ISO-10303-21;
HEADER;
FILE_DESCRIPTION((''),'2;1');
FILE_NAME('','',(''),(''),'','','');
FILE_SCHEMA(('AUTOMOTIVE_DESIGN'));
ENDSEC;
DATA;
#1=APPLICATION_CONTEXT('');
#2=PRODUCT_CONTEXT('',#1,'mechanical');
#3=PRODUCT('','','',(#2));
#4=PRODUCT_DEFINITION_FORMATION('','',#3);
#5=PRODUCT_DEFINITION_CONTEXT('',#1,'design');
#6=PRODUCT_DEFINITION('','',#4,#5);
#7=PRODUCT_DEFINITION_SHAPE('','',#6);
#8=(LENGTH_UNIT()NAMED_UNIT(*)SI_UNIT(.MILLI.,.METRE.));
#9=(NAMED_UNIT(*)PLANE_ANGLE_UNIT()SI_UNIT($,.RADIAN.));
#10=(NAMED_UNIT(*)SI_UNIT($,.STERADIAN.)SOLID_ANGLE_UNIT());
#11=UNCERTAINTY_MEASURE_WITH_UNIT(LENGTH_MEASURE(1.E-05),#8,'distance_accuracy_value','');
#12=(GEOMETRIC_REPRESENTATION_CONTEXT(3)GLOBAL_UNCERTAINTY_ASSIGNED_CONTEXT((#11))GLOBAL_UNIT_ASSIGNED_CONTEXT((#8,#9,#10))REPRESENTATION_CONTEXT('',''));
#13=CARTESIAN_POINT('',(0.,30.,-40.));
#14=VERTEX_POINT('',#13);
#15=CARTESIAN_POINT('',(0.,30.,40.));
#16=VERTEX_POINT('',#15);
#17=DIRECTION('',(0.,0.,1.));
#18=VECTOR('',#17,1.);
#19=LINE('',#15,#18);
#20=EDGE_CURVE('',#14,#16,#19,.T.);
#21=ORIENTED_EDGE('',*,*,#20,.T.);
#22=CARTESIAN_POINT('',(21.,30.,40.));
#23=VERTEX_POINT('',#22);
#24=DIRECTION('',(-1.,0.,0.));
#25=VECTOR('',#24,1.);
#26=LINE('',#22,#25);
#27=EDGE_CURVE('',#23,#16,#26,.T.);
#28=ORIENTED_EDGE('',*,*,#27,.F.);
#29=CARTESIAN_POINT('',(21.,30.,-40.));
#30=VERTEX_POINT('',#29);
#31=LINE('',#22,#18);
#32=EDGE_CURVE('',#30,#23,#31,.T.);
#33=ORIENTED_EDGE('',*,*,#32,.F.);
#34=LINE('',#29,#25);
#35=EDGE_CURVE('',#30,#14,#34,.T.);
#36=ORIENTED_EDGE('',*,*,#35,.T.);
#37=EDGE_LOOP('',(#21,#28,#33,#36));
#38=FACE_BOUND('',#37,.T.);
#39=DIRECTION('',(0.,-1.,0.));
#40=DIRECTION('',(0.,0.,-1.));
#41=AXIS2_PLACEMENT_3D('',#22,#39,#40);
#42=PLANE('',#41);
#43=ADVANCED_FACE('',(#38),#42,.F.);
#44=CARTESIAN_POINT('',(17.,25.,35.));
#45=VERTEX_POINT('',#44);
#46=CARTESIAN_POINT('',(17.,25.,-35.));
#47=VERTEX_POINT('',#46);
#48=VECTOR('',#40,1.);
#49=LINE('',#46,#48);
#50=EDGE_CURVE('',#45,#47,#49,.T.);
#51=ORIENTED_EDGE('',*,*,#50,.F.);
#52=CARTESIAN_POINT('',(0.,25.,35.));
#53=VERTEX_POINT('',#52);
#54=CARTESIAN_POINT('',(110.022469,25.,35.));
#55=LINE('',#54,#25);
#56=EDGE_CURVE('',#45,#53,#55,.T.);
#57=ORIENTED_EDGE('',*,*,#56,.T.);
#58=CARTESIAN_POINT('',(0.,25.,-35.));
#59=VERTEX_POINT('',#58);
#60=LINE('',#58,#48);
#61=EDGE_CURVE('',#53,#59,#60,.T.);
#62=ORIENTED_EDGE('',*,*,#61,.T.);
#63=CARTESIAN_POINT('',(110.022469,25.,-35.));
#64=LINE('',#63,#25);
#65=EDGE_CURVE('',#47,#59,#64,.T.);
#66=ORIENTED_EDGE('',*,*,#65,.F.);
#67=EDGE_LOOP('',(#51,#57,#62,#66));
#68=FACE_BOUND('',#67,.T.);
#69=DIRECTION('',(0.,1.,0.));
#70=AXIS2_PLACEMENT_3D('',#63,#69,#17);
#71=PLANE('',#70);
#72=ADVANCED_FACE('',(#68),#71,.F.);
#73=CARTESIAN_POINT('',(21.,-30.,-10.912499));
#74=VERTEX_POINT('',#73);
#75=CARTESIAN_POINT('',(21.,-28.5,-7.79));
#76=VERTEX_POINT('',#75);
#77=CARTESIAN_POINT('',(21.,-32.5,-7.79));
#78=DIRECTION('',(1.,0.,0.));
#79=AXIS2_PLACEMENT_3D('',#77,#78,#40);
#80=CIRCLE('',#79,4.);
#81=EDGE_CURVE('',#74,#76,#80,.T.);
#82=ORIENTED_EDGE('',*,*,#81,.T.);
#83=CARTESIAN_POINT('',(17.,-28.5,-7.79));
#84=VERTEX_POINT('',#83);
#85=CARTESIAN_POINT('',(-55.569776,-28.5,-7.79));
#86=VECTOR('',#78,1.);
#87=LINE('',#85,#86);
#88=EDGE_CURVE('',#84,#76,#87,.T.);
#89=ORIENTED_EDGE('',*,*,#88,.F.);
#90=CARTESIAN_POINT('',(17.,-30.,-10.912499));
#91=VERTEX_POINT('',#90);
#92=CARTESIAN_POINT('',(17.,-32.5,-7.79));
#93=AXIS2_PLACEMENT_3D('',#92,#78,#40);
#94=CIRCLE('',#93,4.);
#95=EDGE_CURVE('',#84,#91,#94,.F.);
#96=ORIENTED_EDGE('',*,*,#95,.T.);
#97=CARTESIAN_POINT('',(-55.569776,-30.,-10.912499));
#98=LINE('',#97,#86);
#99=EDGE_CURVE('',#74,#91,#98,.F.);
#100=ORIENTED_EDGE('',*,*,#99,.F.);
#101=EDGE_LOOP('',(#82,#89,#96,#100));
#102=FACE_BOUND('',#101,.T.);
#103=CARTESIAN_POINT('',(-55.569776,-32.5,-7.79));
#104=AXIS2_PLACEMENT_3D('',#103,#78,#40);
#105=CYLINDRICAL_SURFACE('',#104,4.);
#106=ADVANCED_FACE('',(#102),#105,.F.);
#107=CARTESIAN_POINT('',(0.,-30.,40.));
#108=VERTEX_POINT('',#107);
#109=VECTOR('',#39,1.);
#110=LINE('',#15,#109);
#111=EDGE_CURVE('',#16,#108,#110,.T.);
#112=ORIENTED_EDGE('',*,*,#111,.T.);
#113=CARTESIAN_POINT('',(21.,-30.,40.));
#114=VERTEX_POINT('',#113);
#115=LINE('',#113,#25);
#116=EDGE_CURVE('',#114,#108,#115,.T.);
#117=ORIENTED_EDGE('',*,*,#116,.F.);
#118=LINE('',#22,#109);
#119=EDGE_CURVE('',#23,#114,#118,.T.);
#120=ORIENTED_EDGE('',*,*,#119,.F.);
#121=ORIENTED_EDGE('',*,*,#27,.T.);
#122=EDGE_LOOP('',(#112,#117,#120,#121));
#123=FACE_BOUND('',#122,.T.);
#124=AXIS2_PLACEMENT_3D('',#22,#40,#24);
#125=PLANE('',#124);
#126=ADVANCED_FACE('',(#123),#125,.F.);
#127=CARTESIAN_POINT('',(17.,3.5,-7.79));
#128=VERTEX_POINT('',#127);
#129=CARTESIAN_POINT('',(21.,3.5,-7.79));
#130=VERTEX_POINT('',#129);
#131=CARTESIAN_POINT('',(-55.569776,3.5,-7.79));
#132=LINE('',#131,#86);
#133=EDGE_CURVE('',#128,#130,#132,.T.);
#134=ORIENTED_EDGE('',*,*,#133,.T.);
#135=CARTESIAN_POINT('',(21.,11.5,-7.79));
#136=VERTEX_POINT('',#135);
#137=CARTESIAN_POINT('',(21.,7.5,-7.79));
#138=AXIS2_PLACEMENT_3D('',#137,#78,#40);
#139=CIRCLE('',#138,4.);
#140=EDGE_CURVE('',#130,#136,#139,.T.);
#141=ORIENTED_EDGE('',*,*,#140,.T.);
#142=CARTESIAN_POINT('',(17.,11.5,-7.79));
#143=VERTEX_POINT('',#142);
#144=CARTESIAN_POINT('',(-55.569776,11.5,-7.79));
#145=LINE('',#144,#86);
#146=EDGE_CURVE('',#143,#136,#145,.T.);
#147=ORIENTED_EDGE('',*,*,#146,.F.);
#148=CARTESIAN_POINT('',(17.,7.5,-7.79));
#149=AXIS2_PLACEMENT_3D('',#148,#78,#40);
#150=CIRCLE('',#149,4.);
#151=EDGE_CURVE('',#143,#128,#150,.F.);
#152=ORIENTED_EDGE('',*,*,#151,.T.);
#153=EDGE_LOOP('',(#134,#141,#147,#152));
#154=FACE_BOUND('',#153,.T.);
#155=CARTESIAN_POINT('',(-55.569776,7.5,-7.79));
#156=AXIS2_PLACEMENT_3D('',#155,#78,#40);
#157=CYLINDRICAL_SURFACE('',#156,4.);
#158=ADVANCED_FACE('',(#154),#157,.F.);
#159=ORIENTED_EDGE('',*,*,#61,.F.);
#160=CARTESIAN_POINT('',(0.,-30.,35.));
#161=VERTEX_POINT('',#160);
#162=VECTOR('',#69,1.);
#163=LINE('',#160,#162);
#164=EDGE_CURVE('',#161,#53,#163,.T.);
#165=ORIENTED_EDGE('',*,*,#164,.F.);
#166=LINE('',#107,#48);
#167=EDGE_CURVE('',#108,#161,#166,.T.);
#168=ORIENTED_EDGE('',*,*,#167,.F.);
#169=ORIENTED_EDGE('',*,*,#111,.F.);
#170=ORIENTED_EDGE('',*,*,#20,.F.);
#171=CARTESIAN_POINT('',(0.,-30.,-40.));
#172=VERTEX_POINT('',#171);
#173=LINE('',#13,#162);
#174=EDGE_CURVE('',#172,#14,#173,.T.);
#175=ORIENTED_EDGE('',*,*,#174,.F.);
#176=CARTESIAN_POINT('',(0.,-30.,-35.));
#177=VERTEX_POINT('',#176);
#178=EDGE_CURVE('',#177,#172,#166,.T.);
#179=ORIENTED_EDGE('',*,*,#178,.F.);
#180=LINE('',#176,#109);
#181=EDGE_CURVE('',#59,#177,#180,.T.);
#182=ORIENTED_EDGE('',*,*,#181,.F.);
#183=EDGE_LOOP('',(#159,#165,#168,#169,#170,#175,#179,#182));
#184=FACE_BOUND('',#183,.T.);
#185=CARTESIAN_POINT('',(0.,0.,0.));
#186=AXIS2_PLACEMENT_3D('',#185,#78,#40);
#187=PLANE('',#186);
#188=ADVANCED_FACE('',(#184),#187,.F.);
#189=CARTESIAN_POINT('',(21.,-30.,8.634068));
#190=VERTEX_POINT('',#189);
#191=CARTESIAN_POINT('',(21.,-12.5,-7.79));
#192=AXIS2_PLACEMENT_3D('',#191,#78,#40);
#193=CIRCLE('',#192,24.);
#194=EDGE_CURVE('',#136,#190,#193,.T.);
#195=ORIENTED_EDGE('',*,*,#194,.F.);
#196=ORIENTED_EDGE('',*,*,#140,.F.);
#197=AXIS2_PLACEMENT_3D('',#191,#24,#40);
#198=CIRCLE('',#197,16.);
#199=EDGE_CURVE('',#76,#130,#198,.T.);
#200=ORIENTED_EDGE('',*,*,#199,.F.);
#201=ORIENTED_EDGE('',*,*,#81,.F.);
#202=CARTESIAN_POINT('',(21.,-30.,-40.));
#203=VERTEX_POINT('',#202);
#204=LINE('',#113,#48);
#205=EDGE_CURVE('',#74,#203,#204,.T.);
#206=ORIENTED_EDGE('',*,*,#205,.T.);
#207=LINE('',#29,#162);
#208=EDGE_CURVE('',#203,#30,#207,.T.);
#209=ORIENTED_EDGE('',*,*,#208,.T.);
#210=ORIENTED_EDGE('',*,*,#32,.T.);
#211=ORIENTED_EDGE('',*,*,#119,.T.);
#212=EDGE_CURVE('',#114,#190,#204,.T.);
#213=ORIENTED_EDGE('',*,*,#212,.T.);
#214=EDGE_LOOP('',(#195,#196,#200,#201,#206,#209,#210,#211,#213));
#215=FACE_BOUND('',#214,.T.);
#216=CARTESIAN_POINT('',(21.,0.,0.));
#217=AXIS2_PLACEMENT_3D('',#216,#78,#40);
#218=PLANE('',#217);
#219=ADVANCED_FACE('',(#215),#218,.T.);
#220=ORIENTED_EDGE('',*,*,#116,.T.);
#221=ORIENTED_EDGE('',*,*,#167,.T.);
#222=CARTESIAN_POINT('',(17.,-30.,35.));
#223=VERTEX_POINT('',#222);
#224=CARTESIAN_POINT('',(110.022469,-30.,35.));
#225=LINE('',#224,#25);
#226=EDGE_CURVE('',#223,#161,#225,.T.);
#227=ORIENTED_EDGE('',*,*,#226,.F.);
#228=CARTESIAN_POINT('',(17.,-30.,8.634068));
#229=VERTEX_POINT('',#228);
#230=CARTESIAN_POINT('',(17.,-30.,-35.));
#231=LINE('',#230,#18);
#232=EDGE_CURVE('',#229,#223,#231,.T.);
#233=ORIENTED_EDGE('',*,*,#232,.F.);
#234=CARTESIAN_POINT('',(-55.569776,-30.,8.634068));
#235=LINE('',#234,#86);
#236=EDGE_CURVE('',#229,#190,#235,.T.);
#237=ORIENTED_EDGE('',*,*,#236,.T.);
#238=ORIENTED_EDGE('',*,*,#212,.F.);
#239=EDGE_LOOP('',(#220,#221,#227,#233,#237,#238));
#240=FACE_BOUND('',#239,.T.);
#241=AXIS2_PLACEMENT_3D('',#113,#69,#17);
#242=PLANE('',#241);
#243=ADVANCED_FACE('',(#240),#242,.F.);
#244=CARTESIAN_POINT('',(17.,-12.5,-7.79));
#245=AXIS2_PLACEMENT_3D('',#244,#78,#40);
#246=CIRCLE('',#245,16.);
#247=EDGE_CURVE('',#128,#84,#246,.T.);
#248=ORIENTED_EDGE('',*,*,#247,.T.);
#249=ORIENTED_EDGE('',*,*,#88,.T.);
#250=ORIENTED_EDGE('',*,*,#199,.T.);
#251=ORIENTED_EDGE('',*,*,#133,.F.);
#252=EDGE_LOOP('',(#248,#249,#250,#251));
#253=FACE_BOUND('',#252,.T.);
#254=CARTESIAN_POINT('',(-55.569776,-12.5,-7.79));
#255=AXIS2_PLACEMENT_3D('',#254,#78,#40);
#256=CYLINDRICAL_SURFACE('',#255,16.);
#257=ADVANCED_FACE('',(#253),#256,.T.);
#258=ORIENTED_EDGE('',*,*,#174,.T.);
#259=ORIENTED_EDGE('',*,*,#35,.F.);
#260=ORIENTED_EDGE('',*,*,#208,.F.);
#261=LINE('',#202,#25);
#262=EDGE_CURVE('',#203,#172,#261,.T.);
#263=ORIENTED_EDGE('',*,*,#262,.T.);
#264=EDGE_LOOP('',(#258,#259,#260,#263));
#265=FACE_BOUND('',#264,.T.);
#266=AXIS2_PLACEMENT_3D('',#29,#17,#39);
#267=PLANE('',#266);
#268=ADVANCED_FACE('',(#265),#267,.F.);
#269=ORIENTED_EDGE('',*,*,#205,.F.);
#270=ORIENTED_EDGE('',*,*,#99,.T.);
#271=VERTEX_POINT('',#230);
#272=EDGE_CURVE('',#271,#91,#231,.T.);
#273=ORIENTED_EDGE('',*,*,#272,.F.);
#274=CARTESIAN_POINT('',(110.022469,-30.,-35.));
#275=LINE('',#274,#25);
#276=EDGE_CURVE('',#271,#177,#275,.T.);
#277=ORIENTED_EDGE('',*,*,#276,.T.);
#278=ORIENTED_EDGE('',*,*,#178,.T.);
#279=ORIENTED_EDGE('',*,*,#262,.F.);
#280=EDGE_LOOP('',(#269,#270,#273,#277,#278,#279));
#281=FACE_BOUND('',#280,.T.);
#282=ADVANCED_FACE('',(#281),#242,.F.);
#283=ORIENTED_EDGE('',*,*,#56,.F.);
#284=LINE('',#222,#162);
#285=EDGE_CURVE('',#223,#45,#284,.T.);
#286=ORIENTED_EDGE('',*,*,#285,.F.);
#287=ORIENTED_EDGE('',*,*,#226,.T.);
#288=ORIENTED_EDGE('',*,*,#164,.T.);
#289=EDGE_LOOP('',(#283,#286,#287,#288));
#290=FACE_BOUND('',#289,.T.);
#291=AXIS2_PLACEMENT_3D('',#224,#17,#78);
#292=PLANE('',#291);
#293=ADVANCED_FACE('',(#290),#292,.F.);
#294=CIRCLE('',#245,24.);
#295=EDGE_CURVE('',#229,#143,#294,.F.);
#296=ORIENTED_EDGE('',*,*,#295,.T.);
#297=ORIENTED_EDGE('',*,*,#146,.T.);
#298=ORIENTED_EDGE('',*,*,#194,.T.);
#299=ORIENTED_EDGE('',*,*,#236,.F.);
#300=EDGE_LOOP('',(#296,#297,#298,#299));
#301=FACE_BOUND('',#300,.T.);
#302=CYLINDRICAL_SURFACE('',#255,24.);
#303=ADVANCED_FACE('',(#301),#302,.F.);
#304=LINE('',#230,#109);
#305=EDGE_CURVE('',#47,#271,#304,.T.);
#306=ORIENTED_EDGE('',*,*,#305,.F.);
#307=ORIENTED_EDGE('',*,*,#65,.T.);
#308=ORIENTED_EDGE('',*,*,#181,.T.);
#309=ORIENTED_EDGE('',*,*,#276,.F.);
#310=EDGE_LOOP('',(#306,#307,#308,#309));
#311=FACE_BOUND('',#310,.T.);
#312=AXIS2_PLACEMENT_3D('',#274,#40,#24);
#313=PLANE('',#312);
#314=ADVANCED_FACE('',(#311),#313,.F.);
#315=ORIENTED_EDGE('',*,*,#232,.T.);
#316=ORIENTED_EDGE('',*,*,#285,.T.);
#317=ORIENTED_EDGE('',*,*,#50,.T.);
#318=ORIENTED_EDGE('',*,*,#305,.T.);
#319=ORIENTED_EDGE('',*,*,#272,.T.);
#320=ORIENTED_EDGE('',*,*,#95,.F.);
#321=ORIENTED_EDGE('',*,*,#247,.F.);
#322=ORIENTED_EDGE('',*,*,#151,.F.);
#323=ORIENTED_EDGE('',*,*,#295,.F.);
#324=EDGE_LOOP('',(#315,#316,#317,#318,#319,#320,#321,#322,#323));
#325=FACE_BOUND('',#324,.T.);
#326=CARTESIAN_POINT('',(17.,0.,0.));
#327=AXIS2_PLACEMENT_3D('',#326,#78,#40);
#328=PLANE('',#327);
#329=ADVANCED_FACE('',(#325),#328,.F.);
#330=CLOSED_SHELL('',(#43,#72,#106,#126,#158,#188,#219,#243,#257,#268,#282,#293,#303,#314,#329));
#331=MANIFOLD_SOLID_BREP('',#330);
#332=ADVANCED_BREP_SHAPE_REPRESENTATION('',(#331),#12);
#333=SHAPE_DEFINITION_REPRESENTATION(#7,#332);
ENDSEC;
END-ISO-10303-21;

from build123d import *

# Parameters (mm, degrees)
SKETCH1_W           = 80
SKETCH1_H           = 60
BOSS_EXTRUDE1_DEPTH = 21
CUT_EXTRUDE1_DEPTH  = 21
SKETCH3_W           = 70
SKETCH3_H           = 55
CUT_EXTRUDE2_DEPTH  = 17


with BuildPart() as part:
    # Sketch1 → Boss-Extrude1 (new body)
    with BuildSketch(Plane(origin=(0, 0, 0), x_dir=(0, 0, -1), z_dir=(1, 0, 0))):
        Rectangle(SKETCH1_W, SKETCH1_H)
    extrude(amount=BOSS_EXTRUDE1_DEPTH)

    # Sketch2 → Cut-Extrude1 (cut)
    with BuildSketch(Plane(origin=(21, 0, 0), x_dir=(0, 0, -1), z_dir=(1, 0, 0))):
        with BuildLine():
            ThreePointArc((7.79, 11.5), (-16.21, -12.5), (7.79, -36.5))
            ThreePointArc((7.79, -36.5), (11.79, -32.5), (7.79, -28.5))
            ThreePointArc((7.79, -28.5), (-8.21, -12.5), (7.79, 3.5))
            ThreePointArc((7.79, 3.5), (11.79, 7.5), (7.79, 11.5))
        make_face()
    extrude(amount=-CUT_EXTRUDE1_DEPTH, mode=Mode.SUBTRACT)

    # Sketch3 → Cut-Extrude2 (cut)
    with BuildSketch(Plane.ZY):
        with Locations((0, -2.5)):
            Rectangle(SKETCH3_W, SKETCH3_H)
    extrude(amount=-CUT_EXTRUDE2_DEPTH, mode=Mode.SUBTRACT)


solid = part.part
